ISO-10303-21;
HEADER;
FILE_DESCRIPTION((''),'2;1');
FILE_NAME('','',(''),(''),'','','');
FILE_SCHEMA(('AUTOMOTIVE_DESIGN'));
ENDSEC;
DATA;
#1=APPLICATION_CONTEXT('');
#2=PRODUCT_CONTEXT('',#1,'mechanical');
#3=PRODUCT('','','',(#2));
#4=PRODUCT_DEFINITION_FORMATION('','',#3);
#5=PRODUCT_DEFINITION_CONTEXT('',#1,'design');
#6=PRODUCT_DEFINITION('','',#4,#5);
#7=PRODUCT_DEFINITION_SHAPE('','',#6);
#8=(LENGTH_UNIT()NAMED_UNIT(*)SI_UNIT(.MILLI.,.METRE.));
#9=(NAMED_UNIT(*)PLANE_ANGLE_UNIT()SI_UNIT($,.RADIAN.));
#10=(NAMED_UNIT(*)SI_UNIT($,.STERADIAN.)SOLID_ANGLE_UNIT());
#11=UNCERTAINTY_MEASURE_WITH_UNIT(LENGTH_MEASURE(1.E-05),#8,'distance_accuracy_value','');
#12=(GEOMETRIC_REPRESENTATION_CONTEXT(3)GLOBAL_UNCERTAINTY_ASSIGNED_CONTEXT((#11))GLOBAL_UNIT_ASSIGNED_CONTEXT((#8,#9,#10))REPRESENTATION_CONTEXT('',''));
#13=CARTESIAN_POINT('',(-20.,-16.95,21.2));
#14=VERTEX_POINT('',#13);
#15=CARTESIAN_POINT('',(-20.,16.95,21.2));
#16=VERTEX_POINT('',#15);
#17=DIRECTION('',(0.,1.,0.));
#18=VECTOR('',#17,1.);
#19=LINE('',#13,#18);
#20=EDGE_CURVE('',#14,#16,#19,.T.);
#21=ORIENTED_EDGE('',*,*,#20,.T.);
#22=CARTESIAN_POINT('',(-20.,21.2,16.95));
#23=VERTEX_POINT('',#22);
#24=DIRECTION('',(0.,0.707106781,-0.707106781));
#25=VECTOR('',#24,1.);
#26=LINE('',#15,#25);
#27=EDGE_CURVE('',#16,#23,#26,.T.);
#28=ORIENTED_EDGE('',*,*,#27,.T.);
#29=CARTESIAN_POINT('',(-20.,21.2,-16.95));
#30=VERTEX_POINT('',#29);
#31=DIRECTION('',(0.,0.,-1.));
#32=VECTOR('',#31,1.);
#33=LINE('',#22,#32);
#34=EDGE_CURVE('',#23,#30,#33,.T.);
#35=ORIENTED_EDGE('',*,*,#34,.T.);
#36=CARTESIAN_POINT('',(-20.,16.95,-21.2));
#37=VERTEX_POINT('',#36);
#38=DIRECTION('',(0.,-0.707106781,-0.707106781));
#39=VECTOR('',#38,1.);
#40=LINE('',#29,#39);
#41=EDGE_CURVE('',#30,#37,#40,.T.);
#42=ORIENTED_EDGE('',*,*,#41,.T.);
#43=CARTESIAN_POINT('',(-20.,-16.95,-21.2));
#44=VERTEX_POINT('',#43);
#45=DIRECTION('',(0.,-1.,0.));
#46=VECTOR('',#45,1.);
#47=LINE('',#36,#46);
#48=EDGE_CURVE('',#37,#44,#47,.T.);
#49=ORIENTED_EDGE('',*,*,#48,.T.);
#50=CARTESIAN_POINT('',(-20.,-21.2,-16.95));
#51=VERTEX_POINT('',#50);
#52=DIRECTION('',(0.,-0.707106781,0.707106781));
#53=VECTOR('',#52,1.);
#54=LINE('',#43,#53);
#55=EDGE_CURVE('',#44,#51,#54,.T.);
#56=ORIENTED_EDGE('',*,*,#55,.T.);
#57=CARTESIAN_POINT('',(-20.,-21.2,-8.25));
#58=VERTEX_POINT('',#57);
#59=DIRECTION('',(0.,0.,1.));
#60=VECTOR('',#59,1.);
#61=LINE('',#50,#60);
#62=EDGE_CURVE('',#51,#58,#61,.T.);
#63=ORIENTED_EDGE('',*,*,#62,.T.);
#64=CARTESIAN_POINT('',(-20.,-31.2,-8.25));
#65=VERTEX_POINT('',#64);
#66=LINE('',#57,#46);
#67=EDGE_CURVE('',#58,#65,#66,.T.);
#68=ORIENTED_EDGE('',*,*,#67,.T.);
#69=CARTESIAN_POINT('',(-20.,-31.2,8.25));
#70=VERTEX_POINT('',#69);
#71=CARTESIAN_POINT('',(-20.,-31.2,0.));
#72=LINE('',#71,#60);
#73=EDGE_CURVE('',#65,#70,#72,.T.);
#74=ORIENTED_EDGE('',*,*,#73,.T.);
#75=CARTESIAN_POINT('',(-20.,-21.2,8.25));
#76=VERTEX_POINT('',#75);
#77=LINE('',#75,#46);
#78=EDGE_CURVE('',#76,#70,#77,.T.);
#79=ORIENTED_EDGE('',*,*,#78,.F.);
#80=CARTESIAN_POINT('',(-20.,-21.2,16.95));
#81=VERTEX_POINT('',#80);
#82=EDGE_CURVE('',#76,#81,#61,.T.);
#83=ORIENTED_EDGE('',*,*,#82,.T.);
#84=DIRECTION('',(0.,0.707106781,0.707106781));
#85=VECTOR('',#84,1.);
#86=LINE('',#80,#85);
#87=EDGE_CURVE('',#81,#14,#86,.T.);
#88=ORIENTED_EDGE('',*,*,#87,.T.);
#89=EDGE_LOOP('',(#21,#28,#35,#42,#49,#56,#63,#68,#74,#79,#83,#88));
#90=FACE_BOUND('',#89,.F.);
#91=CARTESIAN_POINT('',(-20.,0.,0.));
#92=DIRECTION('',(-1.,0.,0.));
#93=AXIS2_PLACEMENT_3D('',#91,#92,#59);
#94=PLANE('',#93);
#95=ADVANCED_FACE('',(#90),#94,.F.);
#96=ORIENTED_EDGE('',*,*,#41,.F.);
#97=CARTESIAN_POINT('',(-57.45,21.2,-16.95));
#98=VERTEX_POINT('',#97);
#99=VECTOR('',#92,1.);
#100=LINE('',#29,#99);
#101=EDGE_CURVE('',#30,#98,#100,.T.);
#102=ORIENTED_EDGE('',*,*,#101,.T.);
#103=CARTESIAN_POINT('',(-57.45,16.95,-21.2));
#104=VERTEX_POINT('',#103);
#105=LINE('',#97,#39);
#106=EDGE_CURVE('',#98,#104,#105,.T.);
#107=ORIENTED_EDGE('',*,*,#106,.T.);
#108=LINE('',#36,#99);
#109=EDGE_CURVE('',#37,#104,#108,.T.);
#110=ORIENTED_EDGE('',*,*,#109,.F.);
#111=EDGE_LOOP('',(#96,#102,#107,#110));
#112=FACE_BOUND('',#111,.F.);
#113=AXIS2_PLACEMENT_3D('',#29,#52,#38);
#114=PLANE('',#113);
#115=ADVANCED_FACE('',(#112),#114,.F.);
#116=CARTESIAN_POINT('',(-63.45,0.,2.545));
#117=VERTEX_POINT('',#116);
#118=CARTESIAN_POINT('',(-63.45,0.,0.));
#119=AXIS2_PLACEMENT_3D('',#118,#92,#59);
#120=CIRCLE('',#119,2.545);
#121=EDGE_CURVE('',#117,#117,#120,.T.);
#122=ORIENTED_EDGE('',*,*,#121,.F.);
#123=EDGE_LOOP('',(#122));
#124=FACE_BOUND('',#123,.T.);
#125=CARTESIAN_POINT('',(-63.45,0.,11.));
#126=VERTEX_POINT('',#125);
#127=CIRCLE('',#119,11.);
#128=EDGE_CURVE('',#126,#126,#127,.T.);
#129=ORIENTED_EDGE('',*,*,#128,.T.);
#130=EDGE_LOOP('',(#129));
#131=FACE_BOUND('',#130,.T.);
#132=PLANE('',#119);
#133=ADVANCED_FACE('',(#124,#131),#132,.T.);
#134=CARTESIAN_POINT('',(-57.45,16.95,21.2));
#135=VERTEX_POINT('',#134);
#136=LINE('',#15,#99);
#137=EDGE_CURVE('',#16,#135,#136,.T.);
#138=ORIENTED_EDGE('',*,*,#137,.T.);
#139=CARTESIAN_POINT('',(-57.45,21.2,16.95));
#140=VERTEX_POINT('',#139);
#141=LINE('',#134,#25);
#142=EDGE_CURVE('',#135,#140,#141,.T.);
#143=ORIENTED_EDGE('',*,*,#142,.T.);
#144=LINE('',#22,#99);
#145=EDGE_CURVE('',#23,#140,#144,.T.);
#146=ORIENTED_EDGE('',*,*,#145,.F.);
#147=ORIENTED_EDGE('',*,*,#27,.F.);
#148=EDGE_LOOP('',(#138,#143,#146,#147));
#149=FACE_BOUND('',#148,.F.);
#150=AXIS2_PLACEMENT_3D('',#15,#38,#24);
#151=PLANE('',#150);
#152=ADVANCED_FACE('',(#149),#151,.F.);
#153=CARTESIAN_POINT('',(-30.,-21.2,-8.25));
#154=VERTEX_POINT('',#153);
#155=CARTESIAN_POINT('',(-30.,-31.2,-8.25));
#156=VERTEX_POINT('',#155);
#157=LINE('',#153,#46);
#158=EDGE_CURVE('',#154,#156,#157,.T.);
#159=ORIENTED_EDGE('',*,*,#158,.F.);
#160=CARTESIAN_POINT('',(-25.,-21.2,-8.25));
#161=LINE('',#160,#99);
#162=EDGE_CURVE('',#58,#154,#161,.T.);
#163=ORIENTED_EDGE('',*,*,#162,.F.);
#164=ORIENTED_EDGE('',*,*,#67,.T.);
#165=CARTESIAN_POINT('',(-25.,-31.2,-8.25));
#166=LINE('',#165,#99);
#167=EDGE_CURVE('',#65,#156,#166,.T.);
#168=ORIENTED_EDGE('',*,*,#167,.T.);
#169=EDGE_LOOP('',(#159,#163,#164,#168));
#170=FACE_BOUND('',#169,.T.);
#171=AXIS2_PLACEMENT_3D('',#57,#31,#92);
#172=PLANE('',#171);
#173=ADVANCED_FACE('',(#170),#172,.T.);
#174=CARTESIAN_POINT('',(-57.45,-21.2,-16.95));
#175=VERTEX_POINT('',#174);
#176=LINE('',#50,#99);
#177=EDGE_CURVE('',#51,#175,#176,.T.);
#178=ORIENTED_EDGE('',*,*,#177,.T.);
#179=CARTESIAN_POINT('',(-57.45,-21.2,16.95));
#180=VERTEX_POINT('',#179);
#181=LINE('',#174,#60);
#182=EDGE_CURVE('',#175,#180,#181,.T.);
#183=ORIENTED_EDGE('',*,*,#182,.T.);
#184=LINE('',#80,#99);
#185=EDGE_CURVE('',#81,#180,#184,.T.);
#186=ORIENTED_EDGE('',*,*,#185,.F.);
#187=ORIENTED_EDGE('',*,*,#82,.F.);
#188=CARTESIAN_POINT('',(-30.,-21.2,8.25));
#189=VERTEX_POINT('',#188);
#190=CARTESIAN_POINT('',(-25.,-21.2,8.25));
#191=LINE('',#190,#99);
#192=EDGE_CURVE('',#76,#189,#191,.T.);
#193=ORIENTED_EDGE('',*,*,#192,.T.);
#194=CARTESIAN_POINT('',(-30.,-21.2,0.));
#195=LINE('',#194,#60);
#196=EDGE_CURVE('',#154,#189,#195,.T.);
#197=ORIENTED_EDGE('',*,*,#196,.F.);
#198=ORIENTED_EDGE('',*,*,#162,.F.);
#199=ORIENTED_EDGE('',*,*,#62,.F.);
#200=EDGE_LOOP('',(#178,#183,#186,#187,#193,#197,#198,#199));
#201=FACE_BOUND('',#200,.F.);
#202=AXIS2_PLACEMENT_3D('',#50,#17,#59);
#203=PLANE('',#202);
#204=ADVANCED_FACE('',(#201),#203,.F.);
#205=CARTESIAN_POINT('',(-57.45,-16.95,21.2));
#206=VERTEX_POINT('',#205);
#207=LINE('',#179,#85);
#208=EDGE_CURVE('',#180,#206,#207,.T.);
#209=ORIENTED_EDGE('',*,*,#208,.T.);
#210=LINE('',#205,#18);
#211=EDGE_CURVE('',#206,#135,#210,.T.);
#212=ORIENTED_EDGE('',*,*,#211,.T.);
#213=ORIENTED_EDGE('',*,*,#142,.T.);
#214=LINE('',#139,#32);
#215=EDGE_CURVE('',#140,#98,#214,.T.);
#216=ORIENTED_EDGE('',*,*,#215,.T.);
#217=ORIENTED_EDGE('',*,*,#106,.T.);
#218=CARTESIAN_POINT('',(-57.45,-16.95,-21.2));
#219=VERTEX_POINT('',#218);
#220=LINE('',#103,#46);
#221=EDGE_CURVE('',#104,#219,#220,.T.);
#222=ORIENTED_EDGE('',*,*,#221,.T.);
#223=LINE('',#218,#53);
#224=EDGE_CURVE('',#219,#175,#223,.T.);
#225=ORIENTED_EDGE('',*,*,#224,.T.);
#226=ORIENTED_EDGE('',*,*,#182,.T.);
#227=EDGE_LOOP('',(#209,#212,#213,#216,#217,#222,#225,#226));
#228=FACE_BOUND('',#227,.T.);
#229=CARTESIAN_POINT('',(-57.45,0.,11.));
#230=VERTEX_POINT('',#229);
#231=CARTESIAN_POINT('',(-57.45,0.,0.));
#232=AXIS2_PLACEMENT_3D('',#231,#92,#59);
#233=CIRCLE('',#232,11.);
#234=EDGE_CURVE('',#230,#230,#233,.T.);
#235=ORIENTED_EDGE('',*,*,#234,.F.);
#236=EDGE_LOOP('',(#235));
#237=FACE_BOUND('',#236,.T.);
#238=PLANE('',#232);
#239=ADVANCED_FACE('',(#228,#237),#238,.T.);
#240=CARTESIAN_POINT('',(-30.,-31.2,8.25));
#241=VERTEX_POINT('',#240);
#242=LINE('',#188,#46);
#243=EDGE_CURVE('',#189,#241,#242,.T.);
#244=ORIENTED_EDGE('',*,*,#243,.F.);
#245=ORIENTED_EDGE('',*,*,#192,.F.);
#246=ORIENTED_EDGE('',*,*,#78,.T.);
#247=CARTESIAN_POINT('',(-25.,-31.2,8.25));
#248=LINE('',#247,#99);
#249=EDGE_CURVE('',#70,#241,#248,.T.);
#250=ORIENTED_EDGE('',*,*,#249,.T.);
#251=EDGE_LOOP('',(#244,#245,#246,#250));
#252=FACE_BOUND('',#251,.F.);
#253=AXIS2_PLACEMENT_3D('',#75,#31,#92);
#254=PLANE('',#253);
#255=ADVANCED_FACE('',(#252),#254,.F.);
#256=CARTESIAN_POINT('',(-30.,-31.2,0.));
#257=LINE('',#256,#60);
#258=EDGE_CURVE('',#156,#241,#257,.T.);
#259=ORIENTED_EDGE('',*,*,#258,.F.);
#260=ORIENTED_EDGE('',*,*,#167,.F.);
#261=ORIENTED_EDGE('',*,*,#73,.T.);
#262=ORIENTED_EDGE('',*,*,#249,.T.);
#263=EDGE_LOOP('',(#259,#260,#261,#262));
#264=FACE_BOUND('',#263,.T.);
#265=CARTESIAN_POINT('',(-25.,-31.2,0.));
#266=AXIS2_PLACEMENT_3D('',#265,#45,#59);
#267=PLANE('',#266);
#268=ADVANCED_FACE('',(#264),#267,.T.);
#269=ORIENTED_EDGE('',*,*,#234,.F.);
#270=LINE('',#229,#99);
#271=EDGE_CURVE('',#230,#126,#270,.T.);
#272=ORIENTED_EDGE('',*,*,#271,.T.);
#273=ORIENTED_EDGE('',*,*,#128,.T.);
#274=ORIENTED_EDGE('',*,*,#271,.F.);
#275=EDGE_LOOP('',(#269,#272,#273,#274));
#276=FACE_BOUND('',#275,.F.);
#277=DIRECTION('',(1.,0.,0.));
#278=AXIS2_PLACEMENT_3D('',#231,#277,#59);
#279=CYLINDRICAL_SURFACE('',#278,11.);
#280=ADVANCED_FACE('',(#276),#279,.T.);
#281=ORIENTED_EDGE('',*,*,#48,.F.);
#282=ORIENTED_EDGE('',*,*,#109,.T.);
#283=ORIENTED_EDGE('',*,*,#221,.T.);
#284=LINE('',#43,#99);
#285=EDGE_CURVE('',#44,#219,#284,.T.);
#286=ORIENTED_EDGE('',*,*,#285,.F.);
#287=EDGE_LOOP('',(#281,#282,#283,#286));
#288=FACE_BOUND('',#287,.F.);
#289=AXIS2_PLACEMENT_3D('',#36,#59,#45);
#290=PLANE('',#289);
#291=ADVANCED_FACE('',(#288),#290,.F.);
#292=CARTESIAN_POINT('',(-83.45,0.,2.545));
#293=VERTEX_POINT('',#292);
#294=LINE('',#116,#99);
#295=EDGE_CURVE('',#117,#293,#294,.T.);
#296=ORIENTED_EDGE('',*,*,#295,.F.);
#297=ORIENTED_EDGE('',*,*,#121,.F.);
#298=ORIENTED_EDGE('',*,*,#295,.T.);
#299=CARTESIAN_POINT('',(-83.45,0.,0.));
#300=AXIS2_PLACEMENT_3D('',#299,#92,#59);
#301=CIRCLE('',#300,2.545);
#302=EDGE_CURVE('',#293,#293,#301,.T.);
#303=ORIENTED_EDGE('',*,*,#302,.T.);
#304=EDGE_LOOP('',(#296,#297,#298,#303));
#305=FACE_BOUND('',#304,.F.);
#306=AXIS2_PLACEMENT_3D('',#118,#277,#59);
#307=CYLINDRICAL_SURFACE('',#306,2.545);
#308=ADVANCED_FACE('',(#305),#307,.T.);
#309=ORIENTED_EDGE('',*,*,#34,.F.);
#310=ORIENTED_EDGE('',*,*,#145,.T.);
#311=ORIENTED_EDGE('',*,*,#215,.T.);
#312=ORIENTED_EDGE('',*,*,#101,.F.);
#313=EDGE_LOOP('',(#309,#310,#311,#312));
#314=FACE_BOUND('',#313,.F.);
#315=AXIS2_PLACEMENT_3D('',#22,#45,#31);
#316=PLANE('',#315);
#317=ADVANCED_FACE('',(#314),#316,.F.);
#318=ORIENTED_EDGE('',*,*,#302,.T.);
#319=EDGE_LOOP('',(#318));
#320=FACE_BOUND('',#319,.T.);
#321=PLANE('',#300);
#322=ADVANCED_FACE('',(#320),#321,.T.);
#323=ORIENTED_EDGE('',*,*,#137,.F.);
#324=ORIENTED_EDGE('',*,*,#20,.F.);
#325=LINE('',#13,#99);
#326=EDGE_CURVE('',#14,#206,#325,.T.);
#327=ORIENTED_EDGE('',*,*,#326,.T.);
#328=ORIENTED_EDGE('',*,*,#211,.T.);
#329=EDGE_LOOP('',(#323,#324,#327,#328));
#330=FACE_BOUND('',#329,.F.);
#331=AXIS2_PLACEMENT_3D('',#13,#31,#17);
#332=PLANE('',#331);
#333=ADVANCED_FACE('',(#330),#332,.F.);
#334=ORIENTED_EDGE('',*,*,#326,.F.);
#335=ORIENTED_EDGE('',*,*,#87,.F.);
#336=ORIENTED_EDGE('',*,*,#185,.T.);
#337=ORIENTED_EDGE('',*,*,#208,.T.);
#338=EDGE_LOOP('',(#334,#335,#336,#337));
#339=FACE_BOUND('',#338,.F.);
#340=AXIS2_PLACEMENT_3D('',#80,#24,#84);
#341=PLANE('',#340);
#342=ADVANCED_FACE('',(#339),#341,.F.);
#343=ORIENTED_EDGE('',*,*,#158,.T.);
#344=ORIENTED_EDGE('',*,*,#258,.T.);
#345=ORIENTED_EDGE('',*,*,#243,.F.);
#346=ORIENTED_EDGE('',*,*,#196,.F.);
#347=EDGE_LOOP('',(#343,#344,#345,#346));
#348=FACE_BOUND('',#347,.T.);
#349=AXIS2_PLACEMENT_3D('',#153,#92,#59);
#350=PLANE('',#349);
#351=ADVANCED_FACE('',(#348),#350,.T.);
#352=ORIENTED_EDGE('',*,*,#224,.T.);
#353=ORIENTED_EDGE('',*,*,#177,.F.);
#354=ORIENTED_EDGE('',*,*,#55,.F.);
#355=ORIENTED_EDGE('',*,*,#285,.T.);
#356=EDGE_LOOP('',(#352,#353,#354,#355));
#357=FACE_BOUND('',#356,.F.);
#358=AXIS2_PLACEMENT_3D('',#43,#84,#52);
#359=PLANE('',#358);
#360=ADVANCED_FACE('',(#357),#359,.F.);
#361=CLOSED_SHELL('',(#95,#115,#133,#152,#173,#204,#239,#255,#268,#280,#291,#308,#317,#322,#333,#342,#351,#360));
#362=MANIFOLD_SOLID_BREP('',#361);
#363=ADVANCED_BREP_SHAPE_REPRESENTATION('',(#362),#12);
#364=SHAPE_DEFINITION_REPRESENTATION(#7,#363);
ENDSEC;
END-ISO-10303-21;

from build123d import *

# Parameters (mm, degrees)
PAD_DEPTH            = 37.45
SKETCH001_W          = 16.5
SKETCH001_H          = 10
PAD001_DEPTH         = 10
SKETCH002_R          = 11
PAD002_DEPTH         = 6
SKETCH003_R          = 2.545
PAD003_DEPTH         = 20
BODY_PLACEMENT_ANGLE = 90


with BuildPart() as part:
    # Sketch → Pad (new body)
    with BuildSketch(Plane.XY):
        Polygon((-21.2, 16.95), (-21.2, -16.95), (-16.95, -21.2), (16.95, -21.2), (21.2, -16.95), (21.2, 16.95), (16.95, 21.2), (-16.95, 21.2), align=None)
    extrude(amount=PAD_DEPTH)

    # Sketch001 (on Face3 of Pad) → Pad001 (join)
    with BuildSketch(Plane.XZ.offset(21.2)):
        with Locations((0, 5)):
            Rectangle(SKETCH001_W, SKETCH001_H)
    extrude(amount=PAD001_DEPTH)

    # Sketch002 (on Face5 of Pad001) → Pad002 (join)
    with BuildSketch(Plane.XY.offset(37.45)):
        Circle(SKETCH002_R)
    extrude(amount=PAD002_DEPTH)

    # Sketch003 (on Face17 of Pad002) → Pad003 (join)
    with BuildSketch(Plane.XY.offset(43.45)):
        Circle(SKETCH003_R)
    extrude(amount=PAD003_DEPTH)


with BuildPart() as part_1:
    # Body placement: moved
    add(part.part.moved(Location((-20, 0, 0))).rotate(Axis((-20, 0, 0), (0, -1, 0)), BODY_PLACEMENT_ANGLE))


solid = part_1.part
